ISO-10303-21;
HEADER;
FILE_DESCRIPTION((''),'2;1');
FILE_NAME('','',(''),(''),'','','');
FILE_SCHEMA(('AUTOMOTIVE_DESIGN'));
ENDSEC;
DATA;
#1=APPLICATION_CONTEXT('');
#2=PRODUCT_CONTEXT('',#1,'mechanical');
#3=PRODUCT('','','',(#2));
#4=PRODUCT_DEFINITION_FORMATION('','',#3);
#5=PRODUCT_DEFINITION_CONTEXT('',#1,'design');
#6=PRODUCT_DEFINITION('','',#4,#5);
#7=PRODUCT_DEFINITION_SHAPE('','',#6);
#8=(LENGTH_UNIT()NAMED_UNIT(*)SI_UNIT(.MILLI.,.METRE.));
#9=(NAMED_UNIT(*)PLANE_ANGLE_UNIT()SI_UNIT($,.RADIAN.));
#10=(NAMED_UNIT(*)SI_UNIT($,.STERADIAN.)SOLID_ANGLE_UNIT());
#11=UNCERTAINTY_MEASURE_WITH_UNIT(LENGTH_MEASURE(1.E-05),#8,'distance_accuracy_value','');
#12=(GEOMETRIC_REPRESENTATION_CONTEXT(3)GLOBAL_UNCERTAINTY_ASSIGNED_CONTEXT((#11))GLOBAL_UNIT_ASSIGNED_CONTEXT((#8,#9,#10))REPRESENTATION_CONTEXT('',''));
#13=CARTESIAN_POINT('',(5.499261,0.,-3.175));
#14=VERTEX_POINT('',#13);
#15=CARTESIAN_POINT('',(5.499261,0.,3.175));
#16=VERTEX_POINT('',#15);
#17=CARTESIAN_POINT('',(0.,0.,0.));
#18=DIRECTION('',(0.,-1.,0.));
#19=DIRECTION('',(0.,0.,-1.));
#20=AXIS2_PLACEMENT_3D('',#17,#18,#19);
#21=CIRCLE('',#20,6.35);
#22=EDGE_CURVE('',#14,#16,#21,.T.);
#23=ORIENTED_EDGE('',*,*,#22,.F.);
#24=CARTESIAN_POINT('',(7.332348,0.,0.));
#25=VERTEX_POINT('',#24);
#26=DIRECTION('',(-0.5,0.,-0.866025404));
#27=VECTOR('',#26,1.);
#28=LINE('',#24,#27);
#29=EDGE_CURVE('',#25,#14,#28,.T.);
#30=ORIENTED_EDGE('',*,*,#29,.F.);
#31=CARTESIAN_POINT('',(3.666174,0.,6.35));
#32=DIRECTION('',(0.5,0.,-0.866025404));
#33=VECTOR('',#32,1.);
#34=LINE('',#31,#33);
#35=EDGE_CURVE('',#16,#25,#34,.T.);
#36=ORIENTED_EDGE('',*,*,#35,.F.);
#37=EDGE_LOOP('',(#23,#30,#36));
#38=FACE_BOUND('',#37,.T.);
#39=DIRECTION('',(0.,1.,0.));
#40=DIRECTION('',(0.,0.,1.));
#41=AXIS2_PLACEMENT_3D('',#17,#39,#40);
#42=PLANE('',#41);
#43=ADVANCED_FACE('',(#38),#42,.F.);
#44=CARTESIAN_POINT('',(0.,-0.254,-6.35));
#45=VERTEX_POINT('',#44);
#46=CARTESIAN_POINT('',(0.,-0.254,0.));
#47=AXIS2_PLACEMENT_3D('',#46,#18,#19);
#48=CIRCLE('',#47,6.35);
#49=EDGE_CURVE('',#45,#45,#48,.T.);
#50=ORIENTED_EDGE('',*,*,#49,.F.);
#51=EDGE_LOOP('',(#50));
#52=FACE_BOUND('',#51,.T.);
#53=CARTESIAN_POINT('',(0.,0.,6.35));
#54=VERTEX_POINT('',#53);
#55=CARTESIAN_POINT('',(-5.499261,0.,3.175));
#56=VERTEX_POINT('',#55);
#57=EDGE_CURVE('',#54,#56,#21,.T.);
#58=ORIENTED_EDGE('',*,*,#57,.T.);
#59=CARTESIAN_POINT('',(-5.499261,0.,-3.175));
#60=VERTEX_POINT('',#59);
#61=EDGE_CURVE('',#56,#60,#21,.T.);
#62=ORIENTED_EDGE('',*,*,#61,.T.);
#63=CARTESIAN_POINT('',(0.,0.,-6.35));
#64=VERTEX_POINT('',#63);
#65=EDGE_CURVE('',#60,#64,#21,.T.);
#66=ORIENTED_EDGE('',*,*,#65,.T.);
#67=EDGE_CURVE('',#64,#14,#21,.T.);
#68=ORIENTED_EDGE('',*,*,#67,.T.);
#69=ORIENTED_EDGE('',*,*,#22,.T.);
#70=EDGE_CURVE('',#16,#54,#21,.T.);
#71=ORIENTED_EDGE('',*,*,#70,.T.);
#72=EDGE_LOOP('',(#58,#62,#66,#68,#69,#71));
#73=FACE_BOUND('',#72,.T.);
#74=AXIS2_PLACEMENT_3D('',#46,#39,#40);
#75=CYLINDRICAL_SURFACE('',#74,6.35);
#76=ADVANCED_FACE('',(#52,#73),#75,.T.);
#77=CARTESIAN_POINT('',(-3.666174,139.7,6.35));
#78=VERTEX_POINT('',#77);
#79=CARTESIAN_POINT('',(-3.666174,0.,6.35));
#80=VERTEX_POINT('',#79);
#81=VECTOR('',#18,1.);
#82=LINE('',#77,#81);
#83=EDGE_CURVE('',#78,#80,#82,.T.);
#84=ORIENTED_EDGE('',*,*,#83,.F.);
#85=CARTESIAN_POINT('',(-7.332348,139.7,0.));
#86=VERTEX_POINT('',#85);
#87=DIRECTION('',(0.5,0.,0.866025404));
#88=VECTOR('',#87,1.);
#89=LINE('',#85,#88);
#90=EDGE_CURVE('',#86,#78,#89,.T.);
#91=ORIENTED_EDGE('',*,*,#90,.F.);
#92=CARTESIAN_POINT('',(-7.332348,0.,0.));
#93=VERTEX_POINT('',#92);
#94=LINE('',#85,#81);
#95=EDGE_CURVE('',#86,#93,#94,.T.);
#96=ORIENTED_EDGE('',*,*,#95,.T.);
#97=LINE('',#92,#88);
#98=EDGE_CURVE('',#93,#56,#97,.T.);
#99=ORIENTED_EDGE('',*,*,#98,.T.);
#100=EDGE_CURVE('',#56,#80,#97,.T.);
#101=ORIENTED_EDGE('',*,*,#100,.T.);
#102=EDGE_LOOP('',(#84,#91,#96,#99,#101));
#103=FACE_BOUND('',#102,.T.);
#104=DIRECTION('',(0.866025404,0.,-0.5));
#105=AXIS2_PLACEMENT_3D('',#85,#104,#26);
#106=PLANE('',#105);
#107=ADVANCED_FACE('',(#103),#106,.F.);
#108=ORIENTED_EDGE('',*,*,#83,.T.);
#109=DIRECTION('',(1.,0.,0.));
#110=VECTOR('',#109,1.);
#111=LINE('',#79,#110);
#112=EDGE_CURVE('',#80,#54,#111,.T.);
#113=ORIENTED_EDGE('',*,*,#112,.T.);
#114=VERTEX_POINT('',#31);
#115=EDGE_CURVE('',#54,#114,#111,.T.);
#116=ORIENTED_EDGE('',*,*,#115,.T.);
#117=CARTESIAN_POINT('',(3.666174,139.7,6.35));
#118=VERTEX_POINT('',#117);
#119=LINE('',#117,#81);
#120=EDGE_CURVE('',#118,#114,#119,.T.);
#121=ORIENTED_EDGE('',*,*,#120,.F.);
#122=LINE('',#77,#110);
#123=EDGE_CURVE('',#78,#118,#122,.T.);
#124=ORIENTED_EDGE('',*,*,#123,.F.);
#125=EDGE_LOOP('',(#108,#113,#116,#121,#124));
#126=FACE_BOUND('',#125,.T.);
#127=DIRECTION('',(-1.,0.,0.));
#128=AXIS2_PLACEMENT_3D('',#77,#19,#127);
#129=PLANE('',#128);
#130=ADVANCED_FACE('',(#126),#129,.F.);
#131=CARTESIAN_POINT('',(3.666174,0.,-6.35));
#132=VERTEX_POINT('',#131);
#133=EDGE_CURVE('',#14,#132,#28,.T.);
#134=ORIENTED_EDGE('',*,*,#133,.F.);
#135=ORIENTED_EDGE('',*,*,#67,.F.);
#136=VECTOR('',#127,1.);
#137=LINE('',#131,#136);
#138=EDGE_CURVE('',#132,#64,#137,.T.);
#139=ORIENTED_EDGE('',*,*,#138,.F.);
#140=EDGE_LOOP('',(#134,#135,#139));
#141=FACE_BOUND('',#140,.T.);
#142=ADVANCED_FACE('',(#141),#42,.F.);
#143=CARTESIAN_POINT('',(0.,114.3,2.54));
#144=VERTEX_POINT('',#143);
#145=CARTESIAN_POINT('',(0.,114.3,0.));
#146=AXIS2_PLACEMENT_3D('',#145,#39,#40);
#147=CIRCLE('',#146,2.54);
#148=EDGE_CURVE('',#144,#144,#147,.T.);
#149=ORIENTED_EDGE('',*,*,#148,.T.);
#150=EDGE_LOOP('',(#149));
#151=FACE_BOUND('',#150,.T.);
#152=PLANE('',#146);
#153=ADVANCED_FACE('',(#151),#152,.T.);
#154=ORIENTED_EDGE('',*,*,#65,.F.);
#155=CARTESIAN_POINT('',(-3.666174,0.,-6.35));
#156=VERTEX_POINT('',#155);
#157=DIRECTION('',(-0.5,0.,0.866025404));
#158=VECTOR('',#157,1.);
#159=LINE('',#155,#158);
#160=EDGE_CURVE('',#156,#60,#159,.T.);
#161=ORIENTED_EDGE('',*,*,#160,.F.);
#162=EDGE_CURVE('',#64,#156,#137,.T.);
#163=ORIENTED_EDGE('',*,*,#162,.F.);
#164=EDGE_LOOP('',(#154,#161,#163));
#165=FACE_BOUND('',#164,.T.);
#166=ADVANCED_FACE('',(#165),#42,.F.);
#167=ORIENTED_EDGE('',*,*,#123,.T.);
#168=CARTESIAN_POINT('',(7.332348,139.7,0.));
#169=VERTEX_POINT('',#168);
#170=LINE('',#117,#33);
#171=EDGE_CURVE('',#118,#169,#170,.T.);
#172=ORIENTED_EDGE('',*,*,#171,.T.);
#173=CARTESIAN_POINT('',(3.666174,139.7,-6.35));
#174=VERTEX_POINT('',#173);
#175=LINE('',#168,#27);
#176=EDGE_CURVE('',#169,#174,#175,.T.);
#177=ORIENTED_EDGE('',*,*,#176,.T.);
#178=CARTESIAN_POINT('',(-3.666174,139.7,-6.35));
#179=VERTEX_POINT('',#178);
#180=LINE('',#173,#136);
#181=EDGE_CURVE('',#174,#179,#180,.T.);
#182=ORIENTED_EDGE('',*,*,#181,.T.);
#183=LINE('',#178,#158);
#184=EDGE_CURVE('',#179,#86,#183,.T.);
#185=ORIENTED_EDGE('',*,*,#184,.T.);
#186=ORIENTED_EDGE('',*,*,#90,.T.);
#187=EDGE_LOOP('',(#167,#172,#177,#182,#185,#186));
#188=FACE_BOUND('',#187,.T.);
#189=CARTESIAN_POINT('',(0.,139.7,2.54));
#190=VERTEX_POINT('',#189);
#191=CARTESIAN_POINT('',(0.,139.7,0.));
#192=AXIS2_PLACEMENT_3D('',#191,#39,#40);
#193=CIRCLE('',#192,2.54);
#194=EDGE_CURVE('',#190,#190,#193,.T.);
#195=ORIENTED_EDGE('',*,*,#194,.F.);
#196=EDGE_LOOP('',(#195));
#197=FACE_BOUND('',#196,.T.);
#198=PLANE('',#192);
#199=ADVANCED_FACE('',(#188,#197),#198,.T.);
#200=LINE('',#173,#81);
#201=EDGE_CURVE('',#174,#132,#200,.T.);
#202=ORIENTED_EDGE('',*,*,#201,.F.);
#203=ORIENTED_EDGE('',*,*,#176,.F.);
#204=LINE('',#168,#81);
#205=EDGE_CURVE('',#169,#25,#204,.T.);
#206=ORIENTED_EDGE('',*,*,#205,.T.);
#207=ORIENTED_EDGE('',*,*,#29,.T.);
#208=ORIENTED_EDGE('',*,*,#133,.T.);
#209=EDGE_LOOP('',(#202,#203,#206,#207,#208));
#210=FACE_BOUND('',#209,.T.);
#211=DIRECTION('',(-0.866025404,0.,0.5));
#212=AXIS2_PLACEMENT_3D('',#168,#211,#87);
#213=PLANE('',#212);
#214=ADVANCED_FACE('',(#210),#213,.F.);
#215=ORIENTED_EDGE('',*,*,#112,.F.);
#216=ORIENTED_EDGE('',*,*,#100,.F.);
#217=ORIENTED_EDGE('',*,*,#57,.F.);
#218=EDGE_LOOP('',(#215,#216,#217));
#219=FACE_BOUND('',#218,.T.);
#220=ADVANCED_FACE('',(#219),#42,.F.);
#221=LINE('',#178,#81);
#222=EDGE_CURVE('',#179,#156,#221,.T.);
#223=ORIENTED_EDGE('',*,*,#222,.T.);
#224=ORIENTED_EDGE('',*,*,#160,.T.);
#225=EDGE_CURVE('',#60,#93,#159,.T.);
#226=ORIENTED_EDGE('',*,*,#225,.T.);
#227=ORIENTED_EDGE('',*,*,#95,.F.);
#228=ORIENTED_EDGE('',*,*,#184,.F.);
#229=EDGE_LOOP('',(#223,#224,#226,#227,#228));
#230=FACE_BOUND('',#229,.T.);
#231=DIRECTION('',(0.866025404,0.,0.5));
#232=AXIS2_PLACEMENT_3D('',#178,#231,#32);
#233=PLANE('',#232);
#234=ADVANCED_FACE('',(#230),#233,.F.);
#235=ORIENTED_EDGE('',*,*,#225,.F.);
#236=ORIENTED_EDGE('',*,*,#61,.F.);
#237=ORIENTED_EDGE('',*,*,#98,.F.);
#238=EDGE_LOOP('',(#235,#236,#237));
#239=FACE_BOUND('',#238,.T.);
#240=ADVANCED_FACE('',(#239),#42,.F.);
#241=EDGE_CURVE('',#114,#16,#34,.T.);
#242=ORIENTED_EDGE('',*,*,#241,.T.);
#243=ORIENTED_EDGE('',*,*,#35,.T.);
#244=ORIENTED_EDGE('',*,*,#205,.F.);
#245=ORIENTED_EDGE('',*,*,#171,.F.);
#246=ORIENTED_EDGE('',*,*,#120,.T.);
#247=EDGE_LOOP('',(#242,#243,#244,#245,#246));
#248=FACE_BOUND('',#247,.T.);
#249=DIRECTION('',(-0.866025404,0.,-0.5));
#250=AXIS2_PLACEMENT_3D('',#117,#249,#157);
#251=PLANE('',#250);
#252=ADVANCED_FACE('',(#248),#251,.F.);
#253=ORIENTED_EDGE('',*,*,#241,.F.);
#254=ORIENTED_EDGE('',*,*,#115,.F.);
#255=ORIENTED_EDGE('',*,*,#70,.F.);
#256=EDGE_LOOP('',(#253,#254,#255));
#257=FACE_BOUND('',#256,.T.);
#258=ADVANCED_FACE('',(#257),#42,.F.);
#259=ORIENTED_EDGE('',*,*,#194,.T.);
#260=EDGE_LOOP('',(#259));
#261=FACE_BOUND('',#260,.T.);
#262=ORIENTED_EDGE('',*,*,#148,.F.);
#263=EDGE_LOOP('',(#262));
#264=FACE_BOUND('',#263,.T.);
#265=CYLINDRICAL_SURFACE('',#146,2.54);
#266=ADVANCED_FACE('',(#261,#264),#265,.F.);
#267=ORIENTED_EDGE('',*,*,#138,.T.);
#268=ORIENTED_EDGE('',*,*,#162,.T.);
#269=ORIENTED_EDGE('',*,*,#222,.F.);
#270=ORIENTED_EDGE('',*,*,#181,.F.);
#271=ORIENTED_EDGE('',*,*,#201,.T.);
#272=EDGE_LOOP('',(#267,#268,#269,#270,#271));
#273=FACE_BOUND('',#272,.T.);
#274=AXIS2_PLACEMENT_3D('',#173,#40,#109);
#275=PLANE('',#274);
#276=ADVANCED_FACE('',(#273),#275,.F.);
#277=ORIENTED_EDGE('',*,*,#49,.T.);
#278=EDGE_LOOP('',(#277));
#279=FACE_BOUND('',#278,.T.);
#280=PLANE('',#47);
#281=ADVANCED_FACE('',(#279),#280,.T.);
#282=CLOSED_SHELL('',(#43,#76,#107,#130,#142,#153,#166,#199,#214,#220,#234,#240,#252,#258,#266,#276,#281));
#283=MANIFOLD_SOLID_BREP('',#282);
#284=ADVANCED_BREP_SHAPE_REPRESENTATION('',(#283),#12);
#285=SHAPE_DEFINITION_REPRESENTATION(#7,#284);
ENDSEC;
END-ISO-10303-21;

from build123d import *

# Parameters (mm, degrees)
BOSS_EXTRUDE1_DEPTH = 139.7
SKETCH2_R           = 2.54
CUT_EXTRUDE1_DEPTH  = 25.4
SKETCH3_R           = 6.35
BOSS_EXTRUDE2_DEPTH = 0.254


with BuildPart() as part:
    # Sketch1 → Boss-Extrude1 (new body)
    with BuildSketch(Plane(origin=(0, 0, 0), x_dir=(1, 0, 0), z_dir=(0, 1, 0))):
        Polygon((7.332348419, 0), (3.666174209, 6.35), (-3.666174209, 6.35), (-7.332348419, 0), (-3.666174209, -6.35), (3.666174209, -6.35), align=None)
    extrude(amount=BOSS_EXTRUDE1_DEPTH)

    # Sketch2 → Cut-Extrude1 (cut)
    with BuildSketch(Plane(origin=(0, 139.7, 0), x_dir=(1, 0, 0), z_dir=(0, 1, 0))):
        Circle(SKETCH2_R)
    extrude(amount=-CUT_EXTRUDE1_DEPTH, mode=Mode.SUBTRACT)

    # Sketch3 → Boss-Extrude2 (add)
    with BuildSketch(Plane.XZ):
        Circle(SKETCH3_R)
    extrude(amount=BOSS_EXTRUDE2_DEPTH)


solid = part.part
